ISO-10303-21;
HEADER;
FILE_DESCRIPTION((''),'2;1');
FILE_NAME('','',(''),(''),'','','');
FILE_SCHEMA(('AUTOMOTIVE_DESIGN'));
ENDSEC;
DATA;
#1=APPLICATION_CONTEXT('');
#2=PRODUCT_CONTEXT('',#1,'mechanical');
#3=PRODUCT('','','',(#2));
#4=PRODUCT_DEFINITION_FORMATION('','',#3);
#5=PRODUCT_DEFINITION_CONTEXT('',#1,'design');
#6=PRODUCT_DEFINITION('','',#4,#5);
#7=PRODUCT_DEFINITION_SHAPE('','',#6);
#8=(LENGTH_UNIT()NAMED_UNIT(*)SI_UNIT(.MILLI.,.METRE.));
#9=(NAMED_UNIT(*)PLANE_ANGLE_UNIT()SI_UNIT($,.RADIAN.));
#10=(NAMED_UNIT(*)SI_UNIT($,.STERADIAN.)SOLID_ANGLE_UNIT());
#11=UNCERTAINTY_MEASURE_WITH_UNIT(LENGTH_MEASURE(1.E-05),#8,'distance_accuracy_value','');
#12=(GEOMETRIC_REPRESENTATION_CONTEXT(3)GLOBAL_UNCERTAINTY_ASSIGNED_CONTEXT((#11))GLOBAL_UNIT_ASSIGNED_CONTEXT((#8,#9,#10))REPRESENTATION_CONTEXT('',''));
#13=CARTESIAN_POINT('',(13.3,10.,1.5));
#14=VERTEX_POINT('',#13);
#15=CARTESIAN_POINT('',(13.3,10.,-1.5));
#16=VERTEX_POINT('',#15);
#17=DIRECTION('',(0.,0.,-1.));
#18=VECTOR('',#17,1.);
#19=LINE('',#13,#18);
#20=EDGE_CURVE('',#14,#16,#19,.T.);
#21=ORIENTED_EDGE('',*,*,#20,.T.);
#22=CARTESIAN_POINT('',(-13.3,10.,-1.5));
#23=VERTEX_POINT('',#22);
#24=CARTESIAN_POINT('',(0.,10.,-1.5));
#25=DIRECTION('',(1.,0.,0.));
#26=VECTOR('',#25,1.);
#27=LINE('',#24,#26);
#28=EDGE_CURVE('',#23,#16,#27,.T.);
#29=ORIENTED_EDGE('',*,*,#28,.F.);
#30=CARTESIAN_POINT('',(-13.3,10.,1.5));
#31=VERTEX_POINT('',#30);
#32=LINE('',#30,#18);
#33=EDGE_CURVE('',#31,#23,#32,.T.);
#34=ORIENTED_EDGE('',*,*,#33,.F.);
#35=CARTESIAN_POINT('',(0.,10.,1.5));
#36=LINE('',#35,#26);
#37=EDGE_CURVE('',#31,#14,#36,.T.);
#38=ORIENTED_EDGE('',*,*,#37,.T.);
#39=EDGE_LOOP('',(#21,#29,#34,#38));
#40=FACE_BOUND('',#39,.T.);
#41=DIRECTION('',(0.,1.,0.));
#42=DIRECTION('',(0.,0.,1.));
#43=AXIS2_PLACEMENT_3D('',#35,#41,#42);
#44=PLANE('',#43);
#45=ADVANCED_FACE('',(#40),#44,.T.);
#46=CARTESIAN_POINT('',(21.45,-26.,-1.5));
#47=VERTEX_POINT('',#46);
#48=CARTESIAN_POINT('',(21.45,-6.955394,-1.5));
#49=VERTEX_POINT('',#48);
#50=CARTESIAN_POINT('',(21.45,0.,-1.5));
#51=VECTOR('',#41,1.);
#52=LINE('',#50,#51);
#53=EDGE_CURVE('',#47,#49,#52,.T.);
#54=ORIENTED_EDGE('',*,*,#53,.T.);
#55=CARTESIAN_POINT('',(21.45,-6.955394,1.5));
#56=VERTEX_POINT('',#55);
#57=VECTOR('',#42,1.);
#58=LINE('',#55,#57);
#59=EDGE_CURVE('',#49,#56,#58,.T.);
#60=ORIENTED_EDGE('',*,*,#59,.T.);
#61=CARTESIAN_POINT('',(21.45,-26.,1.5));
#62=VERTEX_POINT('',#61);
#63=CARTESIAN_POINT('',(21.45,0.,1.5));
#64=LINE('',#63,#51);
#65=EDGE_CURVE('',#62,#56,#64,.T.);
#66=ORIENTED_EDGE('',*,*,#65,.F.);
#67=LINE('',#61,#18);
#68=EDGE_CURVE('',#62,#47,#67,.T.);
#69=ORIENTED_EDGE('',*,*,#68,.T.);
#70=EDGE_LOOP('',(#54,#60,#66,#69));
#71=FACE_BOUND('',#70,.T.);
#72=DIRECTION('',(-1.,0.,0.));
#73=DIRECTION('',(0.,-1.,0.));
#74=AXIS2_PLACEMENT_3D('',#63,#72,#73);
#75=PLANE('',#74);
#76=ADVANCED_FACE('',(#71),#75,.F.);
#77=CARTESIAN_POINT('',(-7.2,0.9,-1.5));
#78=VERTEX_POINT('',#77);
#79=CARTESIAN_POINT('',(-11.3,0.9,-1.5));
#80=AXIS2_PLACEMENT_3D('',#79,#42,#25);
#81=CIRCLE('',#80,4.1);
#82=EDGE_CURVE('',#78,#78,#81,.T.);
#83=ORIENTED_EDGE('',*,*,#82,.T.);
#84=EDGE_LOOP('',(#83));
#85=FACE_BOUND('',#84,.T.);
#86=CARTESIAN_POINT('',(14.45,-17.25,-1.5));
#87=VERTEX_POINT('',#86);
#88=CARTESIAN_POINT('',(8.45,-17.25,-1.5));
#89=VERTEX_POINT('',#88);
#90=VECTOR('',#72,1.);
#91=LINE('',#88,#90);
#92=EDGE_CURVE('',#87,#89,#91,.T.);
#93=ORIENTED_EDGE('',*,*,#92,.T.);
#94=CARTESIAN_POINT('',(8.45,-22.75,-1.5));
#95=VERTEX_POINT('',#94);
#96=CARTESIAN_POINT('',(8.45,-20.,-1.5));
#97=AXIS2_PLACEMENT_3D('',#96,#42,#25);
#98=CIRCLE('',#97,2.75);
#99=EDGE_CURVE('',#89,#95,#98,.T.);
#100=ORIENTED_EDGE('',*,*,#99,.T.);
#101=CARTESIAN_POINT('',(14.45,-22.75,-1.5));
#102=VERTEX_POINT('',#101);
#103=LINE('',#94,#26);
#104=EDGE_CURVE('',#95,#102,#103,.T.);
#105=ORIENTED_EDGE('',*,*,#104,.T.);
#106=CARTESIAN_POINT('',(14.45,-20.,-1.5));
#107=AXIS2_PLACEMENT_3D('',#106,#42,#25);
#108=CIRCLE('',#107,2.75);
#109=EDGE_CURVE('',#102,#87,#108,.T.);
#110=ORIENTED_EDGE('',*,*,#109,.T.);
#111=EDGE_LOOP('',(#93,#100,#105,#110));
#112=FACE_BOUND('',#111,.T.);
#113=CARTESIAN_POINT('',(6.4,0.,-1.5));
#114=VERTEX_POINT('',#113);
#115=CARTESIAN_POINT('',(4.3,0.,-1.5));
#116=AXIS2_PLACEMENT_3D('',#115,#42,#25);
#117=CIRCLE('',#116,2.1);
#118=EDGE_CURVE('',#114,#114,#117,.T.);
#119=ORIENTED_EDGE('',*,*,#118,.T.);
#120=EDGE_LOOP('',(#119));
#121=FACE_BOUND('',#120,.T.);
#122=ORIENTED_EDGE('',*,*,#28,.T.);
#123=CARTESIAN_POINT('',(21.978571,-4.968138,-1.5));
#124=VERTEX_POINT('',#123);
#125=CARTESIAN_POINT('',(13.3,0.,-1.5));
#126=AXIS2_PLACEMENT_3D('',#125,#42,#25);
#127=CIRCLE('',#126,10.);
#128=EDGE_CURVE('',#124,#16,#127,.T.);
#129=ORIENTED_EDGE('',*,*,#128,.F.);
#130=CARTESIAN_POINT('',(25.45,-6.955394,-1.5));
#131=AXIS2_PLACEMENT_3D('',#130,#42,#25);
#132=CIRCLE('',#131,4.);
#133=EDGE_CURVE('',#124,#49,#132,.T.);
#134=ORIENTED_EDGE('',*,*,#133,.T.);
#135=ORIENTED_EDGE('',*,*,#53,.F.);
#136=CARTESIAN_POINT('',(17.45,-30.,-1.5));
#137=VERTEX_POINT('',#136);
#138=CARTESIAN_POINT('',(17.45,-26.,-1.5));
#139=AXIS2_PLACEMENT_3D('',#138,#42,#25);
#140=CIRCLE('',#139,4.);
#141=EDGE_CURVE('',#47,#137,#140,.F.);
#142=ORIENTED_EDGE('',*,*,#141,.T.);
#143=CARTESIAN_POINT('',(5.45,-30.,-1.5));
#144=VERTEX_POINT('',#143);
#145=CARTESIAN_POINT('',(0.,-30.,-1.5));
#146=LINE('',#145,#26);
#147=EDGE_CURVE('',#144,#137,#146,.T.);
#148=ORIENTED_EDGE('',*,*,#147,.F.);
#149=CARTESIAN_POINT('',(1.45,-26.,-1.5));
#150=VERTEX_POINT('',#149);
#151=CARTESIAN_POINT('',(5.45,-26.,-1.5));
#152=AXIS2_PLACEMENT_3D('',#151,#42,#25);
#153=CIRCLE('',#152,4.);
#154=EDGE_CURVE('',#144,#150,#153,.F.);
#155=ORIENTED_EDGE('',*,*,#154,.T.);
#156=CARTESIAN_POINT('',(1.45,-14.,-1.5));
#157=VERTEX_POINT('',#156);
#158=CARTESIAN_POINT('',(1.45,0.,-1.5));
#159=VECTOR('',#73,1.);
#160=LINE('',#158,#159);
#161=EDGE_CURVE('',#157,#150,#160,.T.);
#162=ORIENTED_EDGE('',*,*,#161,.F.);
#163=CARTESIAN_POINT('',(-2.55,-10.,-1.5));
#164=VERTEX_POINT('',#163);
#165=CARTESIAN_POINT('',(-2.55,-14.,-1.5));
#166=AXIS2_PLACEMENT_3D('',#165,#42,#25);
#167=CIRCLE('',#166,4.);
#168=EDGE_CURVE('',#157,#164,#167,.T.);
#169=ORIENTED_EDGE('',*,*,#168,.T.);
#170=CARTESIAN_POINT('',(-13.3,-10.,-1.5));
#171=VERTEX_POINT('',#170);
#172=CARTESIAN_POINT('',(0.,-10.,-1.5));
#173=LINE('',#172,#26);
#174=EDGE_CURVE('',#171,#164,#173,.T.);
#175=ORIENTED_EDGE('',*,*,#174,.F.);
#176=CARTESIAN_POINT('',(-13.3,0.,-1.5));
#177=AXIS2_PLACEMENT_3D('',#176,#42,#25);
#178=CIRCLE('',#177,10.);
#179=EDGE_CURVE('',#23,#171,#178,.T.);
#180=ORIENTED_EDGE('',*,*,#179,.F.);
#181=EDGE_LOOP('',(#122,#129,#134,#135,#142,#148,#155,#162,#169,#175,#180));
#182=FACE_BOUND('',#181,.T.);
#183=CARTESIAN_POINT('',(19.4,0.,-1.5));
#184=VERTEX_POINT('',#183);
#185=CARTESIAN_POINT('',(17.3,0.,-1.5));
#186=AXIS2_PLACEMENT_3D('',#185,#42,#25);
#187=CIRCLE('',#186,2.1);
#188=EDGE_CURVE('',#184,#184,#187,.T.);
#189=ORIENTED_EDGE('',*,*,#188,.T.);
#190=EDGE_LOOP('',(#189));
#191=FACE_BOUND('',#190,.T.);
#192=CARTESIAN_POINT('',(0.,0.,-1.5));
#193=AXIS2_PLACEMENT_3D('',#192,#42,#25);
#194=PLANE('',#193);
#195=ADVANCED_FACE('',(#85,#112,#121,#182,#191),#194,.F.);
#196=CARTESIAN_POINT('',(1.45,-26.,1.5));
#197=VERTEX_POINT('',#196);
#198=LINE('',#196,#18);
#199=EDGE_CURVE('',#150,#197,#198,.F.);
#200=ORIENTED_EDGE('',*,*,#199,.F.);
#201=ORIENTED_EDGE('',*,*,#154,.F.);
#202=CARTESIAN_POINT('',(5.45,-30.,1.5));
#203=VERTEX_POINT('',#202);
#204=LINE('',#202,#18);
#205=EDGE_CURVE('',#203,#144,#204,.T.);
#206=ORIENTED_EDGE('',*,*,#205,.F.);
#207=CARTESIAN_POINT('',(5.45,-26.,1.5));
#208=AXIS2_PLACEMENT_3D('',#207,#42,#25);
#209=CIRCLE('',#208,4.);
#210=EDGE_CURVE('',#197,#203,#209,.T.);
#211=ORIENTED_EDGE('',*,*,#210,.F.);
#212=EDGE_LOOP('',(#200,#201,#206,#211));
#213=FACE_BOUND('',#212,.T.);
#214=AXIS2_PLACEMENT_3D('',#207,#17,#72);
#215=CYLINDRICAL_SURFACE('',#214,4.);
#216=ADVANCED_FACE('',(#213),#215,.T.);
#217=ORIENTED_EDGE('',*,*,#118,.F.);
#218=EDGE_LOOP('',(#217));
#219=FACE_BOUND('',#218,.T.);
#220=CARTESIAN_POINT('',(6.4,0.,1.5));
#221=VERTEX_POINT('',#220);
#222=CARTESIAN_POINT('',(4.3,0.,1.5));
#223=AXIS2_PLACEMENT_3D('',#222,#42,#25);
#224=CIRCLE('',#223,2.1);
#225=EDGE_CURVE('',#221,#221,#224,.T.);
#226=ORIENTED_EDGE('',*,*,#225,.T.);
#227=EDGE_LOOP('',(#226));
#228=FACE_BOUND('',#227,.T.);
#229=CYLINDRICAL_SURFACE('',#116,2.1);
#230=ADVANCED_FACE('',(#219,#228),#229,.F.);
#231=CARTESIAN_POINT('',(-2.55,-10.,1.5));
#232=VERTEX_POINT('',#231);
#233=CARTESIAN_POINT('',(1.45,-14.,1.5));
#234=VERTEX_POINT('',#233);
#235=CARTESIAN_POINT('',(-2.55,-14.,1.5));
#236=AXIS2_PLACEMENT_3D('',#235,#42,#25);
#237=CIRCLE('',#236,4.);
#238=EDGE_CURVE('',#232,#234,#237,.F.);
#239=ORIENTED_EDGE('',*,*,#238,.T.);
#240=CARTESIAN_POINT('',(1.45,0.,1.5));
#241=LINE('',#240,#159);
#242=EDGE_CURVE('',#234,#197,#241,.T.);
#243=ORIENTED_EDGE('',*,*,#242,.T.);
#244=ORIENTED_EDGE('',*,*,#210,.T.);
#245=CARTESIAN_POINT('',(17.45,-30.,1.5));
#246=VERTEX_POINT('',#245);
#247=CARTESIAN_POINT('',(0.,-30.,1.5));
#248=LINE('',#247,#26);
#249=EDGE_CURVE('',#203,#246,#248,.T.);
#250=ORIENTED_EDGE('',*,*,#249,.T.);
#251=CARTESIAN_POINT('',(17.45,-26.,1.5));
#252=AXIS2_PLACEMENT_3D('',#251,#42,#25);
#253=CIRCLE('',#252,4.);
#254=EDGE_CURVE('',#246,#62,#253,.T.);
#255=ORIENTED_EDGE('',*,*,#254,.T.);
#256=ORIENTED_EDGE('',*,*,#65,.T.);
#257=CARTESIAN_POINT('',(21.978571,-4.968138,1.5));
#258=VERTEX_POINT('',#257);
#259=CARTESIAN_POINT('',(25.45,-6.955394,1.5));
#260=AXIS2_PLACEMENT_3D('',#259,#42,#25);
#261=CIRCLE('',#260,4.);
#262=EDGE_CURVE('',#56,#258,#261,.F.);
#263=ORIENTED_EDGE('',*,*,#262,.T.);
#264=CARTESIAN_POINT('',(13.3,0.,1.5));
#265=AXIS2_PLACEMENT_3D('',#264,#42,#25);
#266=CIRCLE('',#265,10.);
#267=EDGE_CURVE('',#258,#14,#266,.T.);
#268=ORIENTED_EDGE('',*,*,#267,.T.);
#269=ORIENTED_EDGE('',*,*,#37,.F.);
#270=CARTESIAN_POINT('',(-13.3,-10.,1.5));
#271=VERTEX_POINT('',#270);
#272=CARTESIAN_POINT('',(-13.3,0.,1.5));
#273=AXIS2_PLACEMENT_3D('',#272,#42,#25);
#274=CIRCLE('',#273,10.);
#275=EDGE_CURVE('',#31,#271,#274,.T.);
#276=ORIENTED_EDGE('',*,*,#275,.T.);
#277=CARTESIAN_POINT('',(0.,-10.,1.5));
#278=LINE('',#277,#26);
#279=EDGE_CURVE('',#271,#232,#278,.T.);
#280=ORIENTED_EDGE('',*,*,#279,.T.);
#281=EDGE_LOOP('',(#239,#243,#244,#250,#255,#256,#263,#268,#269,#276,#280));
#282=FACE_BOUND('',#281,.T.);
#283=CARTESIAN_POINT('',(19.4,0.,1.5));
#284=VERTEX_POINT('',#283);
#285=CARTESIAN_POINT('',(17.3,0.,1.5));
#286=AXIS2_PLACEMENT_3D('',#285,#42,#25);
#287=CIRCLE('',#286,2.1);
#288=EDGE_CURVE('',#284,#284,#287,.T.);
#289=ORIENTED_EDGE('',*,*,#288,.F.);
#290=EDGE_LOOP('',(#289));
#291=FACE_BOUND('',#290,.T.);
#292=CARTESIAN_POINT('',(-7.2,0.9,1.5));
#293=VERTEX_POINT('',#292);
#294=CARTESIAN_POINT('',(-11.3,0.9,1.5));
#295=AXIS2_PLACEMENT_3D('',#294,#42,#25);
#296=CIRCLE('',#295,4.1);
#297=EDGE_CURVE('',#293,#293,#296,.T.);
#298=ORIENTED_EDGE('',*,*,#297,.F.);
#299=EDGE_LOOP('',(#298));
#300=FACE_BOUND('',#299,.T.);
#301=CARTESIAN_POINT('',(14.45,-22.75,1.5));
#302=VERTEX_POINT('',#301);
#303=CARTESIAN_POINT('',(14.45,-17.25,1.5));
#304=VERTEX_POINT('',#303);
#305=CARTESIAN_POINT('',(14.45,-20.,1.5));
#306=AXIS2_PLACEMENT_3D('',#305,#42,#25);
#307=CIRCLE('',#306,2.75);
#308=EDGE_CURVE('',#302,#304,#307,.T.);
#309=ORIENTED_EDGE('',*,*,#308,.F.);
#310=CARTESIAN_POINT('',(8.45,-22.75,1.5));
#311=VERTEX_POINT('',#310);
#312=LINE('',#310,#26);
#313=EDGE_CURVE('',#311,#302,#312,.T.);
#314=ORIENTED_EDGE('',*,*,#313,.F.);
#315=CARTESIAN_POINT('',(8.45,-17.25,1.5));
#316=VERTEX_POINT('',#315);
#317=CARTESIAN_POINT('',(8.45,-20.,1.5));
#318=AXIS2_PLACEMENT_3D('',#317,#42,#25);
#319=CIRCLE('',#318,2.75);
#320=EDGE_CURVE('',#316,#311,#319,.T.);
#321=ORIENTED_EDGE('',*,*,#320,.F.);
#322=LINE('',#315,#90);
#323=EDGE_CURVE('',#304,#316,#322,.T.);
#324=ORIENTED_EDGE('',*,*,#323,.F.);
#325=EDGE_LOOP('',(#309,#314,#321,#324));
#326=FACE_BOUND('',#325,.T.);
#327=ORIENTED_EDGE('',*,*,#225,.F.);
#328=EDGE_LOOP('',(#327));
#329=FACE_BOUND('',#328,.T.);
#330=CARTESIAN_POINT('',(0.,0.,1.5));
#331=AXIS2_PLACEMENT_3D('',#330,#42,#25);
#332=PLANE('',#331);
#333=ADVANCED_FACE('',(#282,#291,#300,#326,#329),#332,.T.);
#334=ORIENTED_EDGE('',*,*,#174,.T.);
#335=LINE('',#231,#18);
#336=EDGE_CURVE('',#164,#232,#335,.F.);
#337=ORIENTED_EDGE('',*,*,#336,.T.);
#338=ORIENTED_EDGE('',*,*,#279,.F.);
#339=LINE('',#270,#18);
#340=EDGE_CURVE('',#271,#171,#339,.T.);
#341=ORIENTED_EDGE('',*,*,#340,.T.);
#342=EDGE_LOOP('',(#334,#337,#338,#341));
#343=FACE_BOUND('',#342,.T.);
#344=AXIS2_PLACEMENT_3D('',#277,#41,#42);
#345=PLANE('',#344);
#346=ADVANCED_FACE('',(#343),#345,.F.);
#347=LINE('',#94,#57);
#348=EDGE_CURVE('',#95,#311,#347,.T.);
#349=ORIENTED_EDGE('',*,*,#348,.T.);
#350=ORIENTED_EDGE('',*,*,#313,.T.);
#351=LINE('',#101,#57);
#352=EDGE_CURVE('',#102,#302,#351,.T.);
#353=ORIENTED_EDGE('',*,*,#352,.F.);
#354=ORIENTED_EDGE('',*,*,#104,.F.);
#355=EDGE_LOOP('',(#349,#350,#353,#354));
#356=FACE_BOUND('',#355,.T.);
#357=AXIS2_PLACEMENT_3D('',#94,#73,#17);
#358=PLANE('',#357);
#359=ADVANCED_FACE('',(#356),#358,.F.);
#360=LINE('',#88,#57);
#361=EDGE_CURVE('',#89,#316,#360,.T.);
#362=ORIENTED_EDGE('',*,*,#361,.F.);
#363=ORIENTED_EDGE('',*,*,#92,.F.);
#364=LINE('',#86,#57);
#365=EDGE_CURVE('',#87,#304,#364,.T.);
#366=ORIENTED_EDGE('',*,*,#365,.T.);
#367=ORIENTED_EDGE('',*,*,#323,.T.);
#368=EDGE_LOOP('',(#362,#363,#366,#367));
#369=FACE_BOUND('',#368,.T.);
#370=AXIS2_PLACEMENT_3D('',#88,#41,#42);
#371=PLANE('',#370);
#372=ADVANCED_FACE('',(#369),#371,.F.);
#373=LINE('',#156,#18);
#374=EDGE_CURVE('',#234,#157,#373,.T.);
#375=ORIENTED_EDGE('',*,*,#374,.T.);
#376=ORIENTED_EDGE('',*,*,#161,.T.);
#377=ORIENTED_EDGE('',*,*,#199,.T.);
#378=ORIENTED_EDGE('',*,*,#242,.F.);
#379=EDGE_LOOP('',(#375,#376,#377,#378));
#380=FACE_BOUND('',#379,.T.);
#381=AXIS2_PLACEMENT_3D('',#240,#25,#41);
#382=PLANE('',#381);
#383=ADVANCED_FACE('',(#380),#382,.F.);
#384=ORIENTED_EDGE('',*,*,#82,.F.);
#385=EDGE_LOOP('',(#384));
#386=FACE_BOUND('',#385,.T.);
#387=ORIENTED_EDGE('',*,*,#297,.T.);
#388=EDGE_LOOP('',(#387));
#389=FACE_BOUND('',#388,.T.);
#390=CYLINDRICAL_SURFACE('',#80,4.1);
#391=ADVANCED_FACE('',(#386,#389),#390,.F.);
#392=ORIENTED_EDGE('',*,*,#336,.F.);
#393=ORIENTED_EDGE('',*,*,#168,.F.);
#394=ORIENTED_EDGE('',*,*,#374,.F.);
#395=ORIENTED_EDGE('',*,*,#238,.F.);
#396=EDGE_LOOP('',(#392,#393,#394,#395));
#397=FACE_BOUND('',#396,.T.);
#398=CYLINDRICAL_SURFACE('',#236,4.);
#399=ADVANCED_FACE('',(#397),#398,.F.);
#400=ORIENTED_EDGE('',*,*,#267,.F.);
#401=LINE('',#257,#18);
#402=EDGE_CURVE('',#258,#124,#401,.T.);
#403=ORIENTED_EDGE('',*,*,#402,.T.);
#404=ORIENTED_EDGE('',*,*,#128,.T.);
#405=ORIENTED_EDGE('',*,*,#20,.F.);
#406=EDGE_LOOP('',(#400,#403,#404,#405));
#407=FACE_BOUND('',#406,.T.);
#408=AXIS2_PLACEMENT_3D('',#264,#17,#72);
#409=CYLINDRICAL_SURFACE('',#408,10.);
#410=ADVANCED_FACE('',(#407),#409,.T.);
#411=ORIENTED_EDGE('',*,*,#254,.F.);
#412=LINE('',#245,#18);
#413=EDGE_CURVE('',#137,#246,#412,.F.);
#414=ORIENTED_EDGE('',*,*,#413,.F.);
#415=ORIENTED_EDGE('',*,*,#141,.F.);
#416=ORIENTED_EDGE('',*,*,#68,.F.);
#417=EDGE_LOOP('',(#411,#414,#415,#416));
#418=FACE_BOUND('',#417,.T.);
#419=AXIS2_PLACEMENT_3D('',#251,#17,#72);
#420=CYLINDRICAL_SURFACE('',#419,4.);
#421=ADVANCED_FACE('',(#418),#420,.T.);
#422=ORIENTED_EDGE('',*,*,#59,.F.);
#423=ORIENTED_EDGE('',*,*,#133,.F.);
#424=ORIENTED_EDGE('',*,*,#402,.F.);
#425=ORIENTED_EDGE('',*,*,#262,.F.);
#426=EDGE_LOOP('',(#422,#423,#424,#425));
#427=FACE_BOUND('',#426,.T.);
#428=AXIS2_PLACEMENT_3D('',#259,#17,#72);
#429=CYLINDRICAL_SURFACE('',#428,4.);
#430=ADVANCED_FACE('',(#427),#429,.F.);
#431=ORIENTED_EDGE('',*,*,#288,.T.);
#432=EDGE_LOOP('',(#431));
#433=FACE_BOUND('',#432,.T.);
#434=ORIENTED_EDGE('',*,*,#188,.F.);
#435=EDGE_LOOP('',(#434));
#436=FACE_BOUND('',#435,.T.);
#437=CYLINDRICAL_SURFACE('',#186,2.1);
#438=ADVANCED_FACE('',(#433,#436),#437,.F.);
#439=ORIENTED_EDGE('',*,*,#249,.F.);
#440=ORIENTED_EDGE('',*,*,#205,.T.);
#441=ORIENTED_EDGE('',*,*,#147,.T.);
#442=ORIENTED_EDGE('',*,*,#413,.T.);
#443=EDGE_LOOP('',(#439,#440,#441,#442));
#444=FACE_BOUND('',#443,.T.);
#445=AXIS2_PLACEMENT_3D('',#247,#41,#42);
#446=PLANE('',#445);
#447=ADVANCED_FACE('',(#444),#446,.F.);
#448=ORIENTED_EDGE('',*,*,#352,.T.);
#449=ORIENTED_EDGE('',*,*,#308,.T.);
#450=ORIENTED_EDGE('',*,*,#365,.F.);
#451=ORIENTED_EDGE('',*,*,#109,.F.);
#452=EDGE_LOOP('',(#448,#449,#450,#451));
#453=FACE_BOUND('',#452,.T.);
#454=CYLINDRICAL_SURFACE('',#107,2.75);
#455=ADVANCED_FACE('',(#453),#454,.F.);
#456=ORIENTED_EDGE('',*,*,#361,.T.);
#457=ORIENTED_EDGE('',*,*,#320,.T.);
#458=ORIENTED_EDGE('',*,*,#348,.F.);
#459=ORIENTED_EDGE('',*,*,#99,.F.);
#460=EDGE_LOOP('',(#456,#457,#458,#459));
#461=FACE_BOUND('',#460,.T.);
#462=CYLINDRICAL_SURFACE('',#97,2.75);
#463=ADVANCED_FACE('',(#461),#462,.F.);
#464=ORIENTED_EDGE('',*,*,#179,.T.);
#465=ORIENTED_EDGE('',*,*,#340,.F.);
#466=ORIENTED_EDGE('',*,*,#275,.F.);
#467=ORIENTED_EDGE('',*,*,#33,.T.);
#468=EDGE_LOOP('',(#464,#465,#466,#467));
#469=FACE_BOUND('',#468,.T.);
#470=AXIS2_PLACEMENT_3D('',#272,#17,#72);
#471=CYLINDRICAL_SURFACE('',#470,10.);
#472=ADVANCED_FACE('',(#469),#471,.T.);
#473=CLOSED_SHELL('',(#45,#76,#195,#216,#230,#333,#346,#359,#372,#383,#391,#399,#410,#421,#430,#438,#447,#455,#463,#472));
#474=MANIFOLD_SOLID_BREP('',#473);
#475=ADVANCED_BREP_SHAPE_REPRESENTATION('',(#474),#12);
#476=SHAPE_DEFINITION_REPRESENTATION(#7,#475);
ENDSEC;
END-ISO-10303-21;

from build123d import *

# Parameters (mm, degrees)
BOSS_EXTRUDE1_DEPTH = 1.5
FILLET1_R           = 4
SKETCH2_R           = 4.1
SKETCH2_R_2         = 2.1
CUT_EXTRUDE1_DEPTH  = 39.103674364


with BuildPart() as part:
    # Sketch1 → Boss-Extrude1 (new, symmetric)
    with BuildSketch(Plane.XY):
        with BuildLine():
            Line((13.3, 10), (-13.3, 10))
            ThreePointArc((-13.3, 10), (-23.3, 0), (-13.3, -10))
            Line((-13.3, -10), (1.45, -10))
            Line((1.45, -10), (1.45, -30))
            Line((1.45, -30), (21.45, -30))
            Line((21.45, -30), (21.45, -5.794609564))
            ThreePointArc((21.45, -5.794609564), (22.186678109, 4.585515476), (13.3, 10))
        make_face()
    extrude(amount=BOSS_EXTRUDE1_DEPTH, both=True)

    # Fillet1
    fillet1_edges = [part.edges().sort_by_distance(p)[0] for p in [
        (21.45, -5.794609564, 0),
        (21.45, -30, 0),
        (1.45, -30, 0),
        (1.45, -10, 0),
    ]]
    fillet(fillet1_edges, radius=FILLET1_R)

    # Sketch2 → Cut-Extrude1 (cut, through all)
    with BuildSketch(Plane.XY.offset(1.5)):
        with Locations((-11.3, 0.9)):
            Circle(SKETCH2_R)
        with Locations((4.3, 0)):
            Circle(SKETCH2_R_2)
        with Locations((17.3, 0)):
            Circle(SKETCH2_R_2)
        with BuildLine():
            Line((8.45, -17.25), (14.45, -17.25))
            ThreePointArc((14.45, -17.25), (17.2, -20), (14.45, -22.75))
            Line((14.45, -22.75), (8.45, -22.75))
            ThreePointArc((8.45, -22.75), (5.7, -20), (8.45, -17.25))
        make_face()
    extrude(amount=-CUT_EXTRUDE1_DEPTH, mode=Mode.SUBTRACT)


solid = part.part
